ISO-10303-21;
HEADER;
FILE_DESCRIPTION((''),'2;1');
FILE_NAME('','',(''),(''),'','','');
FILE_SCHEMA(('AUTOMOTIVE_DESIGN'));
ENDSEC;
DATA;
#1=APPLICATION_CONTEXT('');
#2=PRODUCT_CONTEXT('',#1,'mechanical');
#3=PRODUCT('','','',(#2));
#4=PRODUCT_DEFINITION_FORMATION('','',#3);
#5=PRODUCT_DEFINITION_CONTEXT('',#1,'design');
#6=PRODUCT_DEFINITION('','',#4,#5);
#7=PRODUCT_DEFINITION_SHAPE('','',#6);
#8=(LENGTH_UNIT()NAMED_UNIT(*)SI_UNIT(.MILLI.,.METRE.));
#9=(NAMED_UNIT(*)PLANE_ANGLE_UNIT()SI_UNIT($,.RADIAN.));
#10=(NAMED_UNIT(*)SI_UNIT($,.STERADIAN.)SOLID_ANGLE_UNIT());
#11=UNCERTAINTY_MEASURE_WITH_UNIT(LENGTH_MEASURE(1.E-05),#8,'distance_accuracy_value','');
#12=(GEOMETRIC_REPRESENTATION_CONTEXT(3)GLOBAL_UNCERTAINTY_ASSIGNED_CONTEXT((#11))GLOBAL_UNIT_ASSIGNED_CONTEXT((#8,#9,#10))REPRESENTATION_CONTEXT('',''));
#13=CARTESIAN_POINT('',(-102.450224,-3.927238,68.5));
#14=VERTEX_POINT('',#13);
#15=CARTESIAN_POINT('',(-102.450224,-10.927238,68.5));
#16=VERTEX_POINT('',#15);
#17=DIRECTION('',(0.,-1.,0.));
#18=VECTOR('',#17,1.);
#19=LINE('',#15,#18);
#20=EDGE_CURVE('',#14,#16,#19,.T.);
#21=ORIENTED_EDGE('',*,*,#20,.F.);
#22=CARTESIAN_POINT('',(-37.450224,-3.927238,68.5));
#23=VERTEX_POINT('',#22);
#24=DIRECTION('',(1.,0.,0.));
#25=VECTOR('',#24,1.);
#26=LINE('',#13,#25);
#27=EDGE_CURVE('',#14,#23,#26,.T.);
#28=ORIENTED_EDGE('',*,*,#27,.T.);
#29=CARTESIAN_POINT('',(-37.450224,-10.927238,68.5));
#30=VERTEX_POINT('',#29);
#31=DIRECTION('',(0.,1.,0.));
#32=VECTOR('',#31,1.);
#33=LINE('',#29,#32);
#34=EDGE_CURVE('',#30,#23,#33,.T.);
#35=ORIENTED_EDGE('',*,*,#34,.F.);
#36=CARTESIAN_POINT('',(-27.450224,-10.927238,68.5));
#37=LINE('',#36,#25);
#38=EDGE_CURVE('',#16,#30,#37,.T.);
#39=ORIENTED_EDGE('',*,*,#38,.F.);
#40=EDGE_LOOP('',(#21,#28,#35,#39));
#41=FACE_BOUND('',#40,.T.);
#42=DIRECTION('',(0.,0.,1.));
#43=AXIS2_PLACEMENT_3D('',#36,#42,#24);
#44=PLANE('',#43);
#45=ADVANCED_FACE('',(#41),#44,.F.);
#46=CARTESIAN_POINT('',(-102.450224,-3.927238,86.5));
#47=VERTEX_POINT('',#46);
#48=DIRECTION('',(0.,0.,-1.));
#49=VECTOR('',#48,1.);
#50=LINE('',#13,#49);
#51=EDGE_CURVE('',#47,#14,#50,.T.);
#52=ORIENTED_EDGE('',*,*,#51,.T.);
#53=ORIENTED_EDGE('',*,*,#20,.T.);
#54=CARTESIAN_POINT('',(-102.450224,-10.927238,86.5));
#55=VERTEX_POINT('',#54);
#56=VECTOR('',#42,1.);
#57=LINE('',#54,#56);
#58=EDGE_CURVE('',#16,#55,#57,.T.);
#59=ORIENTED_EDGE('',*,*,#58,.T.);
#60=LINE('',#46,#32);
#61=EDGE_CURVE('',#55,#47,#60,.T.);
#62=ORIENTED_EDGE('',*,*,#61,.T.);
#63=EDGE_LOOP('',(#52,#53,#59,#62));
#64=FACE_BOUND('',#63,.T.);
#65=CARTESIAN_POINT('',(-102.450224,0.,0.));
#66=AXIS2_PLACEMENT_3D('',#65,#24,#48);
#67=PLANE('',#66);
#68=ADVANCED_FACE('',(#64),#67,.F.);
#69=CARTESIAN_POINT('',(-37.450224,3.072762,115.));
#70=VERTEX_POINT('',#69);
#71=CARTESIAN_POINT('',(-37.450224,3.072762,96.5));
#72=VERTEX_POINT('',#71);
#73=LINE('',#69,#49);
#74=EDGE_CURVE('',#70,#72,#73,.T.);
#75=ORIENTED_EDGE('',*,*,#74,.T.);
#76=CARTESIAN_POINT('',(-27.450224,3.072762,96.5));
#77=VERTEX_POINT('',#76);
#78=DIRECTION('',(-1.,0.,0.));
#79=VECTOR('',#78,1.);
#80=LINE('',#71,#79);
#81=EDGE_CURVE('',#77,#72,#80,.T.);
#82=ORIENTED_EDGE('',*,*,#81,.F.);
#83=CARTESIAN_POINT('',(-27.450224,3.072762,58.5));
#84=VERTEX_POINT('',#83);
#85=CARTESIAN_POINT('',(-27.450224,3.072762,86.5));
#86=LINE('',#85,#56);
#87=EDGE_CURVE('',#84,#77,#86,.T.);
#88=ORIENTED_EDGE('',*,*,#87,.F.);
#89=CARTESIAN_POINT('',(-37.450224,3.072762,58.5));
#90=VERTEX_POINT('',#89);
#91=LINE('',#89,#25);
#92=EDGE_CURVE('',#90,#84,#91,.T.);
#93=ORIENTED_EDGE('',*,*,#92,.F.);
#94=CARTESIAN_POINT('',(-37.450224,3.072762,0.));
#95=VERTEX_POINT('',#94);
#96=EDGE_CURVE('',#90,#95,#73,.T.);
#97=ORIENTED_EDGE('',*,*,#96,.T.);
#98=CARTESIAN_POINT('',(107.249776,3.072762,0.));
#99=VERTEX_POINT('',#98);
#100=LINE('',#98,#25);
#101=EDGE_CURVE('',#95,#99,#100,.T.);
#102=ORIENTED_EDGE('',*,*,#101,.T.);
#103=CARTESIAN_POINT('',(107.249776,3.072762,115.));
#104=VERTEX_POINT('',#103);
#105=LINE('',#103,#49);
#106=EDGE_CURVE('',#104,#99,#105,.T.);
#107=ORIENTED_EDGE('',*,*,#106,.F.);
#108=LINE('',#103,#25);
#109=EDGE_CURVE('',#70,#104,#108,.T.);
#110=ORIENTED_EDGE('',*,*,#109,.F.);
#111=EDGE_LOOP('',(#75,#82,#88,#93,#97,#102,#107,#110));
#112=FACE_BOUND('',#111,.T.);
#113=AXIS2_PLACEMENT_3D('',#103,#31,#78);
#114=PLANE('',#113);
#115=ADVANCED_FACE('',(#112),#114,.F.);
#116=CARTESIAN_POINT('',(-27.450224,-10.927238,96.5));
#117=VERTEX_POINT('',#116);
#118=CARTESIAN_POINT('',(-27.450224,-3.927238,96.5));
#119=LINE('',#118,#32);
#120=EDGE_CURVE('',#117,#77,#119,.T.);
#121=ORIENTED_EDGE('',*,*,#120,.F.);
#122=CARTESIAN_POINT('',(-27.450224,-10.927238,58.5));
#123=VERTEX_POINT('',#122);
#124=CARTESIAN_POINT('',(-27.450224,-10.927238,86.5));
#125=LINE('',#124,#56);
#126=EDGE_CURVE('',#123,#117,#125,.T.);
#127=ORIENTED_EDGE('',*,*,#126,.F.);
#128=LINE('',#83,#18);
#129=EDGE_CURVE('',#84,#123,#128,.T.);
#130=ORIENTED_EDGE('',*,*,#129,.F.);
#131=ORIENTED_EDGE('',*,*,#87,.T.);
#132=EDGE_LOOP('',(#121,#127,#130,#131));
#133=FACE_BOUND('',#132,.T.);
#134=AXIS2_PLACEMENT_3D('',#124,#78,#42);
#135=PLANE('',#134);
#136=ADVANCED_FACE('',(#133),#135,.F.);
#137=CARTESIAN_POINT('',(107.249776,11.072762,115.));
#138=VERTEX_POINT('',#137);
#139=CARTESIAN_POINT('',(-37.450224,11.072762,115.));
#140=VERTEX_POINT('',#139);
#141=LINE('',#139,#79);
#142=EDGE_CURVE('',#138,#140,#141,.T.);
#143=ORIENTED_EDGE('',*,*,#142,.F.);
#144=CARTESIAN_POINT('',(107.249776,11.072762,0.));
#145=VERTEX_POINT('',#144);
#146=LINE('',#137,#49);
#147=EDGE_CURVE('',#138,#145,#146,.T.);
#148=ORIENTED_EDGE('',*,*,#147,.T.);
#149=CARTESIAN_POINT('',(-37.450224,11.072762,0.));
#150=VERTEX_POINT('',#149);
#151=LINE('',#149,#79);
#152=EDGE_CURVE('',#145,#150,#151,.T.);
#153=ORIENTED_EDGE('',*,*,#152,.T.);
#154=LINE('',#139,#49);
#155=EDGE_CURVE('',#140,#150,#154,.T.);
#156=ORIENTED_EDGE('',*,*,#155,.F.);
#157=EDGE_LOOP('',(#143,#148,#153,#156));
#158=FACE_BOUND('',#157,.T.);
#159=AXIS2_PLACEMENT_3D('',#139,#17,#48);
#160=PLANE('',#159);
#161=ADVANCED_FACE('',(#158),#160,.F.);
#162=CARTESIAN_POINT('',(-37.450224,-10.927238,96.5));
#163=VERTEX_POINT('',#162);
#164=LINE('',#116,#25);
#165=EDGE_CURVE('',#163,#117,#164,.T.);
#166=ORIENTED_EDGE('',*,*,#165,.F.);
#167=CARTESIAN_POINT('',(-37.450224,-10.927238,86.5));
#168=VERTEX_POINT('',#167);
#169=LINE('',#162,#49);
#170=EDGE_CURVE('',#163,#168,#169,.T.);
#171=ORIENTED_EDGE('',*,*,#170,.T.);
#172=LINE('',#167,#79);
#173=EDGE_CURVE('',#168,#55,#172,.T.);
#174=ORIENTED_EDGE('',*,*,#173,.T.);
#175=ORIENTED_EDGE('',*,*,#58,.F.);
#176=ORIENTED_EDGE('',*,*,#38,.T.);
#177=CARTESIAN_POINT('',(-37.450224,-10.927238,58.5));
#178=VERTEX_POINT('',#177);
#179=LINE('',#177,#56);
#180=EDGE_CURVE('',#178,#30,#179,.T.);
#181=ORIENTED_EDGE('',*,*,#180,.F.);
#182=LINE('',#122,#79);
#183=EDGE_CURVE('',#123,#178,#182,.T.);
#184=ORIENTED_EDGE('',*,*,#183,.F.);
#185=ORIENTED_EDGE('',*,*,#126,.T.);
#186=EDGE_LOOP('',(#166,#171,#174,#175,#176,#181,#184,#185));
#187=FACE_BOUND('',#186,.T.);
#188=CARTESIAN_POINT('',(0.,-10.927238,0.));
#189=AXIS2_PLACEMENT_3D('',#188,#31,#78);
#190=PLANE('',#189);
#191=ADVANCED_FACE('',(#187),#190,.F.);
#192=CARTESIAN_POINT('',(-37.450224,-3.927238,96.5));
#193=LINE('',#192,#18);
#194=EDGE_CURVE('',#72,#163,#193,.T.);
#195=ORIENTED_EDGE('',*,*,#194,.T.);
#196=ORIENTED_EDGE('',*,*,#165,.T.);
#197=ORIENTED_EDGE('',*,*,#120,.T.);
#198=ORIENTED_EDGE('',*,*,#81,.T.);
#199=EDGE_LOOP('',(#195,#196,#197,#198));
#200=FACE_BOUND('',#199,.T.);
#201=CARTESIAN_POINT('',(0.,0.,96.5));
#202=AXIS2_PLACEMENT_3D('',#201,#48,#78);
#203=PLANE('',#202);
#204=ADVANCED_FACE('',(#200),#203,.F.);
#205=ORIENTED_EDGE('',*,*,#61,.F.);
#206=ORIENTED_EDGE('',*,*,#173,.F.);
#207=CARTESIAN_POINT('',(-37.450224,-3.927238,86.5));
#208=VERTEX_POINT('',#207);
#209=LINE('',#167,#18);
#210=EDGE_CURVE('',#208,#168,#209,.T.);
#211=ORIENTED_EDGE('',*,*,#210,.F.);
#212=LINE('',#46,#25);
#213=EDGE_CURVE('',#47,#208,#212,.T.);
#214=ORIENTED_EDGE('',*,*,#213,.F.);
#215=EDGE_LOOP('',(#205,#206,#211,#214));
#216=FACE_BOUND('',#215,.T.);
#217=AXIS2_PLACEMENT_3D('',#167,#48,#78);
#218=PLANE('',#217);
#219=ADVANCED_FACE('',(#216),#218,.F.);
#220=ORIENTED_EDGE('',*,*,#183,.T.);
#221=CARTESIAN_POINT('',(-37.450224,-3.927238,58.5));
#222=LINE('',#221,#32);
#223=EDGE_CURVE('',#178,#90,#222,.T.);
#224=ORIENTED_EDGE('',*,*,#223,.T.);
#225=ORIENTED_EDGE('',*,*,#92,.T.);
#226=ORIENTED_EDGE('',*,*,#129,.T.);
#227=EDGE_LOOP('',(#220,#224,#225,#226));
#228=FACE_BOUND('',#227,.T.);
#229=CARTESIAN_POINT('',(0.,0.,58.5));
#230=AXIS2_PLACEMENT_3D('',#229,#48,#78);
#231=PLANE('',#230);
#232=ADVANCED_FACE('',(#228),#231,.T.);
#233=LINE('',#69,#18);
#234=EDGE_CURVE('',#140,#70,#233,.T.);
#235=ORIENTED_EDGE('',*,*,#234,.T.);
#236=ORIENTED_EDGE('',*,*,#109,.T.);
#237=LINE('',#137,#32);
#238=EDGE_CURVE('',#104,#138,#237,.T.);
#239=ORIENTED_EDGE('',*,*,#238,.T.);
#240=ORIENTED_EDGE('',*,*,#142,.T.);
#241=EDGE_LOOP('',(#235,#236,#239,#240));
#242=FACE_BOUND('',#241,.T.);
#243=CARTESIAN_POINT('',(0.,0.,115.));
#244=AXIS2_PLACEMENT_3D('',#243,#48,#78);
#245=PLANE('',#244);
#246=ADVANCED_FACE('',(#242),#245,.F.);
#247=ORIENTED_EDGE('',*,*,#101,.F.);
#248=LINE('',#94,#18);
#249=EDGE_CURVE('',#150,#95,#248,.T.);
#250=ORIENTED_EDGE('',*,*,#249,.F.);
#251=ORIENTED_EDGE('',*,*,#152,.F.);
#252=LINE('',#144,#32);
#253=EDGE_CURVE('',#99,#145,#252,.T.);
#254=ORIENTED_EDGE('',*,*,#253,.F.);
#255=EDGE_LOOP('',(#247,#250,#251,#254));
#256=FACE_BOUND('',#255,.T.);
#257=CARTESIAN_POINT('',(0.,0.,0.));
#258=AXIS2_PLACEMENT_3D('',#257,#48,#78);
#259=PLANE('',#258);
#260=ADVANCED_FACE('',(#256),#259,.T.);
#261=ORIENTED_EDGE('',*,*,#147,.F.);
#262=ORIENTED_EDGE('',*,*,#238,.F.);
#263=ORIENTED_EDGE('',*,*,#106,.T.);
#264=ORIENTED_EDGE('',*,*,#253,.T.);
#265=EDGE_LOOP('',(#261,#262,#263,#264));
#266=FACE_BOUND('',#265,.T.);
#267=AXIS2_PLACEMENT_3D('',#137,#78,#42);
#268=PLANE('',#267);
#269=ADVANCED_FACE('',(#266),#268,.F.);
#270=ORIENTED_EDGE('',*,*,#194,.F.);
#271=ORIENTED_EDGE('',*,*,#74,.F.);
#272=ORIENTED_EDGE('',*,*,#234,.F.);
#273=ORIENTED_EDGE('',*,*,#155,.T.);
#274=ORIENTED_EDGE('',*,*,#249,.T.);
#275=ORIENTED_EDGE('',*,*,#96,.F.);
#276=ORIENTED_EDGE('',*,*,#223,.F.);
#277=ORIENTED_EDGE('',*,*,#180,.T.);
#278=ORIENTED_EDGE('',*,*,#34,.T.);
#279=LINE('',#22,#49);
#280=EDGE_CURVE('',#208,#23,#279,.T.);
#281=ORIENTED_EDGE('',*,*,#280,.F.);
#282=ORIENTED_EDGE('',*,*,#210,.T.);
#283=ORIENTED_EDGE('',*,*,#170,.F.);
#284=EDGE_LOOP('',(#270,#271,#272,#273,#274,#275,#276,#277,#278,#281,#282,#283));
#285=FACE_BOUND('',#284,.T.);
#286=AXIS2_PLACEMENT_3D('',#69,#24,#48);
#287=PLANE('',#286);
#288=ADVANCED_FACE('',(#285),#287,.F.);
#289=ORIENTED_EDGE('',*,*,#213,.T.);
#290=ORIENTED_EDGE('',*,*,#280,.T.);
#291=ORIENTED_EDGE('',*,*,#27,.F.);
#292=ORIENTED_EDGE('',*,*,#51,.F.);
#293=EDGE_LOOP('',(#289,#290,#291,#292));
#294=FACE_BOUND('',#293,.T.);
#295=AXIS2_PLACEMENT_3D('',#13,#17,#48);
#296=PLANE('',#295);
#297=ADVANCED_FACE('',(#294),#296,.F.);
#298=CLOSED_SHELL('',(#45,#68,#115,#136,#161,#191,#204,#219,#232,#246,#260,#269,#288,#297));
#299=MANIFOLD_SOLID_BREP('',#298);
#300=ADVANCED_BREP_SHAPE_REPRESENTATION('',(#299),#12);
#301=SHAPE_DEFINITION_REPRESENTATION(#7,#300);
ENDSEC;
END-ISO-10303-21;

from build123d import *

# Parameters (mm, degrees)
SKETCH1_W           = 144.7
SKETCH1_H           = 8
BOSS_EXTRUDE1_DEPTH = 115
SKETCH3_W           = 10
SKETCH3_H           = 18
BOSS_EXTRUDE2_DEPTH = 14
SKETCH4_W           = 18
SKETCH4_H           = 7
BOSS_EXTRUDE6_DEPTH = 65
BOSS_EXTRUDE7_DEPTH = 10
BOSS_EXTRUDE8_DEPTH = 10


with BuildPart() as part:
    # Sketch1 → Boss-Extrude1 (new body)
    with BuildSketch(Plane.XY):
        with Locations((34.899775573, 7.072761635)):
            Rectangle(SKETCH1_W, SKETCH1_H)
    extrude(amount=BOSS_EXTRUDE1_DEPTH)

    # Sketch3 → Boss-Extrude2 (add)
    with BuildSketch(Plane.XZ.offset(-3.072761635)):
        with Locations((-32.450224427, 77.5)):
            Rectangle(SKETCH3_W, SKETCH3_H)
    extrude(amount=BOSS_EXTRUDE2_DEPTH)

    # Sketch4 → Boss-Extrude6 (add)
    with BuildSketch(Plane.ZY.offset(37.450224427)):
        with Locations((77.5, -7.427238365)):
            Rectangle(SKETCH4_W, SKETCH4_H)
    extrude(amount=BOSS_EXTRUDE6_DEPTH)

    # Sketch5 → Boss-Extrude7 (add)
    with BuildSketch(Plane.XY.offset(86.5)):
        Polygon((-37.450224427, 3.072761635), (-27.450224427, 3.072761635), (-27.450224427, -3.927238365), (-27.450224427, -10.927238365), (-37.450224427, -10.927238365), (-37.450224427, -3.927238365), align=None)
    extrude(amount=BOSS_EXTRUDE7_DEPTH)

    # Sketch6 → Boss-Extrude8 (add)
    with BuildSketch(Plane(origin=(0, 0, 68.5), x_dir=(-1, 0, 0), z_dir=(0, 0, -1))):
        Polygon((37.450224427, 3.072761635), (27.450224427, 3.072761635), (27.450224427, -3.927238365), (27.450224427, -10.927238365), (37.450224427, -10.927238365), (37.450224427, -3.927238365), align=None)
    extrude(amount=BOSS_EXTRUDE8_DEPTH)


solid = part.part
